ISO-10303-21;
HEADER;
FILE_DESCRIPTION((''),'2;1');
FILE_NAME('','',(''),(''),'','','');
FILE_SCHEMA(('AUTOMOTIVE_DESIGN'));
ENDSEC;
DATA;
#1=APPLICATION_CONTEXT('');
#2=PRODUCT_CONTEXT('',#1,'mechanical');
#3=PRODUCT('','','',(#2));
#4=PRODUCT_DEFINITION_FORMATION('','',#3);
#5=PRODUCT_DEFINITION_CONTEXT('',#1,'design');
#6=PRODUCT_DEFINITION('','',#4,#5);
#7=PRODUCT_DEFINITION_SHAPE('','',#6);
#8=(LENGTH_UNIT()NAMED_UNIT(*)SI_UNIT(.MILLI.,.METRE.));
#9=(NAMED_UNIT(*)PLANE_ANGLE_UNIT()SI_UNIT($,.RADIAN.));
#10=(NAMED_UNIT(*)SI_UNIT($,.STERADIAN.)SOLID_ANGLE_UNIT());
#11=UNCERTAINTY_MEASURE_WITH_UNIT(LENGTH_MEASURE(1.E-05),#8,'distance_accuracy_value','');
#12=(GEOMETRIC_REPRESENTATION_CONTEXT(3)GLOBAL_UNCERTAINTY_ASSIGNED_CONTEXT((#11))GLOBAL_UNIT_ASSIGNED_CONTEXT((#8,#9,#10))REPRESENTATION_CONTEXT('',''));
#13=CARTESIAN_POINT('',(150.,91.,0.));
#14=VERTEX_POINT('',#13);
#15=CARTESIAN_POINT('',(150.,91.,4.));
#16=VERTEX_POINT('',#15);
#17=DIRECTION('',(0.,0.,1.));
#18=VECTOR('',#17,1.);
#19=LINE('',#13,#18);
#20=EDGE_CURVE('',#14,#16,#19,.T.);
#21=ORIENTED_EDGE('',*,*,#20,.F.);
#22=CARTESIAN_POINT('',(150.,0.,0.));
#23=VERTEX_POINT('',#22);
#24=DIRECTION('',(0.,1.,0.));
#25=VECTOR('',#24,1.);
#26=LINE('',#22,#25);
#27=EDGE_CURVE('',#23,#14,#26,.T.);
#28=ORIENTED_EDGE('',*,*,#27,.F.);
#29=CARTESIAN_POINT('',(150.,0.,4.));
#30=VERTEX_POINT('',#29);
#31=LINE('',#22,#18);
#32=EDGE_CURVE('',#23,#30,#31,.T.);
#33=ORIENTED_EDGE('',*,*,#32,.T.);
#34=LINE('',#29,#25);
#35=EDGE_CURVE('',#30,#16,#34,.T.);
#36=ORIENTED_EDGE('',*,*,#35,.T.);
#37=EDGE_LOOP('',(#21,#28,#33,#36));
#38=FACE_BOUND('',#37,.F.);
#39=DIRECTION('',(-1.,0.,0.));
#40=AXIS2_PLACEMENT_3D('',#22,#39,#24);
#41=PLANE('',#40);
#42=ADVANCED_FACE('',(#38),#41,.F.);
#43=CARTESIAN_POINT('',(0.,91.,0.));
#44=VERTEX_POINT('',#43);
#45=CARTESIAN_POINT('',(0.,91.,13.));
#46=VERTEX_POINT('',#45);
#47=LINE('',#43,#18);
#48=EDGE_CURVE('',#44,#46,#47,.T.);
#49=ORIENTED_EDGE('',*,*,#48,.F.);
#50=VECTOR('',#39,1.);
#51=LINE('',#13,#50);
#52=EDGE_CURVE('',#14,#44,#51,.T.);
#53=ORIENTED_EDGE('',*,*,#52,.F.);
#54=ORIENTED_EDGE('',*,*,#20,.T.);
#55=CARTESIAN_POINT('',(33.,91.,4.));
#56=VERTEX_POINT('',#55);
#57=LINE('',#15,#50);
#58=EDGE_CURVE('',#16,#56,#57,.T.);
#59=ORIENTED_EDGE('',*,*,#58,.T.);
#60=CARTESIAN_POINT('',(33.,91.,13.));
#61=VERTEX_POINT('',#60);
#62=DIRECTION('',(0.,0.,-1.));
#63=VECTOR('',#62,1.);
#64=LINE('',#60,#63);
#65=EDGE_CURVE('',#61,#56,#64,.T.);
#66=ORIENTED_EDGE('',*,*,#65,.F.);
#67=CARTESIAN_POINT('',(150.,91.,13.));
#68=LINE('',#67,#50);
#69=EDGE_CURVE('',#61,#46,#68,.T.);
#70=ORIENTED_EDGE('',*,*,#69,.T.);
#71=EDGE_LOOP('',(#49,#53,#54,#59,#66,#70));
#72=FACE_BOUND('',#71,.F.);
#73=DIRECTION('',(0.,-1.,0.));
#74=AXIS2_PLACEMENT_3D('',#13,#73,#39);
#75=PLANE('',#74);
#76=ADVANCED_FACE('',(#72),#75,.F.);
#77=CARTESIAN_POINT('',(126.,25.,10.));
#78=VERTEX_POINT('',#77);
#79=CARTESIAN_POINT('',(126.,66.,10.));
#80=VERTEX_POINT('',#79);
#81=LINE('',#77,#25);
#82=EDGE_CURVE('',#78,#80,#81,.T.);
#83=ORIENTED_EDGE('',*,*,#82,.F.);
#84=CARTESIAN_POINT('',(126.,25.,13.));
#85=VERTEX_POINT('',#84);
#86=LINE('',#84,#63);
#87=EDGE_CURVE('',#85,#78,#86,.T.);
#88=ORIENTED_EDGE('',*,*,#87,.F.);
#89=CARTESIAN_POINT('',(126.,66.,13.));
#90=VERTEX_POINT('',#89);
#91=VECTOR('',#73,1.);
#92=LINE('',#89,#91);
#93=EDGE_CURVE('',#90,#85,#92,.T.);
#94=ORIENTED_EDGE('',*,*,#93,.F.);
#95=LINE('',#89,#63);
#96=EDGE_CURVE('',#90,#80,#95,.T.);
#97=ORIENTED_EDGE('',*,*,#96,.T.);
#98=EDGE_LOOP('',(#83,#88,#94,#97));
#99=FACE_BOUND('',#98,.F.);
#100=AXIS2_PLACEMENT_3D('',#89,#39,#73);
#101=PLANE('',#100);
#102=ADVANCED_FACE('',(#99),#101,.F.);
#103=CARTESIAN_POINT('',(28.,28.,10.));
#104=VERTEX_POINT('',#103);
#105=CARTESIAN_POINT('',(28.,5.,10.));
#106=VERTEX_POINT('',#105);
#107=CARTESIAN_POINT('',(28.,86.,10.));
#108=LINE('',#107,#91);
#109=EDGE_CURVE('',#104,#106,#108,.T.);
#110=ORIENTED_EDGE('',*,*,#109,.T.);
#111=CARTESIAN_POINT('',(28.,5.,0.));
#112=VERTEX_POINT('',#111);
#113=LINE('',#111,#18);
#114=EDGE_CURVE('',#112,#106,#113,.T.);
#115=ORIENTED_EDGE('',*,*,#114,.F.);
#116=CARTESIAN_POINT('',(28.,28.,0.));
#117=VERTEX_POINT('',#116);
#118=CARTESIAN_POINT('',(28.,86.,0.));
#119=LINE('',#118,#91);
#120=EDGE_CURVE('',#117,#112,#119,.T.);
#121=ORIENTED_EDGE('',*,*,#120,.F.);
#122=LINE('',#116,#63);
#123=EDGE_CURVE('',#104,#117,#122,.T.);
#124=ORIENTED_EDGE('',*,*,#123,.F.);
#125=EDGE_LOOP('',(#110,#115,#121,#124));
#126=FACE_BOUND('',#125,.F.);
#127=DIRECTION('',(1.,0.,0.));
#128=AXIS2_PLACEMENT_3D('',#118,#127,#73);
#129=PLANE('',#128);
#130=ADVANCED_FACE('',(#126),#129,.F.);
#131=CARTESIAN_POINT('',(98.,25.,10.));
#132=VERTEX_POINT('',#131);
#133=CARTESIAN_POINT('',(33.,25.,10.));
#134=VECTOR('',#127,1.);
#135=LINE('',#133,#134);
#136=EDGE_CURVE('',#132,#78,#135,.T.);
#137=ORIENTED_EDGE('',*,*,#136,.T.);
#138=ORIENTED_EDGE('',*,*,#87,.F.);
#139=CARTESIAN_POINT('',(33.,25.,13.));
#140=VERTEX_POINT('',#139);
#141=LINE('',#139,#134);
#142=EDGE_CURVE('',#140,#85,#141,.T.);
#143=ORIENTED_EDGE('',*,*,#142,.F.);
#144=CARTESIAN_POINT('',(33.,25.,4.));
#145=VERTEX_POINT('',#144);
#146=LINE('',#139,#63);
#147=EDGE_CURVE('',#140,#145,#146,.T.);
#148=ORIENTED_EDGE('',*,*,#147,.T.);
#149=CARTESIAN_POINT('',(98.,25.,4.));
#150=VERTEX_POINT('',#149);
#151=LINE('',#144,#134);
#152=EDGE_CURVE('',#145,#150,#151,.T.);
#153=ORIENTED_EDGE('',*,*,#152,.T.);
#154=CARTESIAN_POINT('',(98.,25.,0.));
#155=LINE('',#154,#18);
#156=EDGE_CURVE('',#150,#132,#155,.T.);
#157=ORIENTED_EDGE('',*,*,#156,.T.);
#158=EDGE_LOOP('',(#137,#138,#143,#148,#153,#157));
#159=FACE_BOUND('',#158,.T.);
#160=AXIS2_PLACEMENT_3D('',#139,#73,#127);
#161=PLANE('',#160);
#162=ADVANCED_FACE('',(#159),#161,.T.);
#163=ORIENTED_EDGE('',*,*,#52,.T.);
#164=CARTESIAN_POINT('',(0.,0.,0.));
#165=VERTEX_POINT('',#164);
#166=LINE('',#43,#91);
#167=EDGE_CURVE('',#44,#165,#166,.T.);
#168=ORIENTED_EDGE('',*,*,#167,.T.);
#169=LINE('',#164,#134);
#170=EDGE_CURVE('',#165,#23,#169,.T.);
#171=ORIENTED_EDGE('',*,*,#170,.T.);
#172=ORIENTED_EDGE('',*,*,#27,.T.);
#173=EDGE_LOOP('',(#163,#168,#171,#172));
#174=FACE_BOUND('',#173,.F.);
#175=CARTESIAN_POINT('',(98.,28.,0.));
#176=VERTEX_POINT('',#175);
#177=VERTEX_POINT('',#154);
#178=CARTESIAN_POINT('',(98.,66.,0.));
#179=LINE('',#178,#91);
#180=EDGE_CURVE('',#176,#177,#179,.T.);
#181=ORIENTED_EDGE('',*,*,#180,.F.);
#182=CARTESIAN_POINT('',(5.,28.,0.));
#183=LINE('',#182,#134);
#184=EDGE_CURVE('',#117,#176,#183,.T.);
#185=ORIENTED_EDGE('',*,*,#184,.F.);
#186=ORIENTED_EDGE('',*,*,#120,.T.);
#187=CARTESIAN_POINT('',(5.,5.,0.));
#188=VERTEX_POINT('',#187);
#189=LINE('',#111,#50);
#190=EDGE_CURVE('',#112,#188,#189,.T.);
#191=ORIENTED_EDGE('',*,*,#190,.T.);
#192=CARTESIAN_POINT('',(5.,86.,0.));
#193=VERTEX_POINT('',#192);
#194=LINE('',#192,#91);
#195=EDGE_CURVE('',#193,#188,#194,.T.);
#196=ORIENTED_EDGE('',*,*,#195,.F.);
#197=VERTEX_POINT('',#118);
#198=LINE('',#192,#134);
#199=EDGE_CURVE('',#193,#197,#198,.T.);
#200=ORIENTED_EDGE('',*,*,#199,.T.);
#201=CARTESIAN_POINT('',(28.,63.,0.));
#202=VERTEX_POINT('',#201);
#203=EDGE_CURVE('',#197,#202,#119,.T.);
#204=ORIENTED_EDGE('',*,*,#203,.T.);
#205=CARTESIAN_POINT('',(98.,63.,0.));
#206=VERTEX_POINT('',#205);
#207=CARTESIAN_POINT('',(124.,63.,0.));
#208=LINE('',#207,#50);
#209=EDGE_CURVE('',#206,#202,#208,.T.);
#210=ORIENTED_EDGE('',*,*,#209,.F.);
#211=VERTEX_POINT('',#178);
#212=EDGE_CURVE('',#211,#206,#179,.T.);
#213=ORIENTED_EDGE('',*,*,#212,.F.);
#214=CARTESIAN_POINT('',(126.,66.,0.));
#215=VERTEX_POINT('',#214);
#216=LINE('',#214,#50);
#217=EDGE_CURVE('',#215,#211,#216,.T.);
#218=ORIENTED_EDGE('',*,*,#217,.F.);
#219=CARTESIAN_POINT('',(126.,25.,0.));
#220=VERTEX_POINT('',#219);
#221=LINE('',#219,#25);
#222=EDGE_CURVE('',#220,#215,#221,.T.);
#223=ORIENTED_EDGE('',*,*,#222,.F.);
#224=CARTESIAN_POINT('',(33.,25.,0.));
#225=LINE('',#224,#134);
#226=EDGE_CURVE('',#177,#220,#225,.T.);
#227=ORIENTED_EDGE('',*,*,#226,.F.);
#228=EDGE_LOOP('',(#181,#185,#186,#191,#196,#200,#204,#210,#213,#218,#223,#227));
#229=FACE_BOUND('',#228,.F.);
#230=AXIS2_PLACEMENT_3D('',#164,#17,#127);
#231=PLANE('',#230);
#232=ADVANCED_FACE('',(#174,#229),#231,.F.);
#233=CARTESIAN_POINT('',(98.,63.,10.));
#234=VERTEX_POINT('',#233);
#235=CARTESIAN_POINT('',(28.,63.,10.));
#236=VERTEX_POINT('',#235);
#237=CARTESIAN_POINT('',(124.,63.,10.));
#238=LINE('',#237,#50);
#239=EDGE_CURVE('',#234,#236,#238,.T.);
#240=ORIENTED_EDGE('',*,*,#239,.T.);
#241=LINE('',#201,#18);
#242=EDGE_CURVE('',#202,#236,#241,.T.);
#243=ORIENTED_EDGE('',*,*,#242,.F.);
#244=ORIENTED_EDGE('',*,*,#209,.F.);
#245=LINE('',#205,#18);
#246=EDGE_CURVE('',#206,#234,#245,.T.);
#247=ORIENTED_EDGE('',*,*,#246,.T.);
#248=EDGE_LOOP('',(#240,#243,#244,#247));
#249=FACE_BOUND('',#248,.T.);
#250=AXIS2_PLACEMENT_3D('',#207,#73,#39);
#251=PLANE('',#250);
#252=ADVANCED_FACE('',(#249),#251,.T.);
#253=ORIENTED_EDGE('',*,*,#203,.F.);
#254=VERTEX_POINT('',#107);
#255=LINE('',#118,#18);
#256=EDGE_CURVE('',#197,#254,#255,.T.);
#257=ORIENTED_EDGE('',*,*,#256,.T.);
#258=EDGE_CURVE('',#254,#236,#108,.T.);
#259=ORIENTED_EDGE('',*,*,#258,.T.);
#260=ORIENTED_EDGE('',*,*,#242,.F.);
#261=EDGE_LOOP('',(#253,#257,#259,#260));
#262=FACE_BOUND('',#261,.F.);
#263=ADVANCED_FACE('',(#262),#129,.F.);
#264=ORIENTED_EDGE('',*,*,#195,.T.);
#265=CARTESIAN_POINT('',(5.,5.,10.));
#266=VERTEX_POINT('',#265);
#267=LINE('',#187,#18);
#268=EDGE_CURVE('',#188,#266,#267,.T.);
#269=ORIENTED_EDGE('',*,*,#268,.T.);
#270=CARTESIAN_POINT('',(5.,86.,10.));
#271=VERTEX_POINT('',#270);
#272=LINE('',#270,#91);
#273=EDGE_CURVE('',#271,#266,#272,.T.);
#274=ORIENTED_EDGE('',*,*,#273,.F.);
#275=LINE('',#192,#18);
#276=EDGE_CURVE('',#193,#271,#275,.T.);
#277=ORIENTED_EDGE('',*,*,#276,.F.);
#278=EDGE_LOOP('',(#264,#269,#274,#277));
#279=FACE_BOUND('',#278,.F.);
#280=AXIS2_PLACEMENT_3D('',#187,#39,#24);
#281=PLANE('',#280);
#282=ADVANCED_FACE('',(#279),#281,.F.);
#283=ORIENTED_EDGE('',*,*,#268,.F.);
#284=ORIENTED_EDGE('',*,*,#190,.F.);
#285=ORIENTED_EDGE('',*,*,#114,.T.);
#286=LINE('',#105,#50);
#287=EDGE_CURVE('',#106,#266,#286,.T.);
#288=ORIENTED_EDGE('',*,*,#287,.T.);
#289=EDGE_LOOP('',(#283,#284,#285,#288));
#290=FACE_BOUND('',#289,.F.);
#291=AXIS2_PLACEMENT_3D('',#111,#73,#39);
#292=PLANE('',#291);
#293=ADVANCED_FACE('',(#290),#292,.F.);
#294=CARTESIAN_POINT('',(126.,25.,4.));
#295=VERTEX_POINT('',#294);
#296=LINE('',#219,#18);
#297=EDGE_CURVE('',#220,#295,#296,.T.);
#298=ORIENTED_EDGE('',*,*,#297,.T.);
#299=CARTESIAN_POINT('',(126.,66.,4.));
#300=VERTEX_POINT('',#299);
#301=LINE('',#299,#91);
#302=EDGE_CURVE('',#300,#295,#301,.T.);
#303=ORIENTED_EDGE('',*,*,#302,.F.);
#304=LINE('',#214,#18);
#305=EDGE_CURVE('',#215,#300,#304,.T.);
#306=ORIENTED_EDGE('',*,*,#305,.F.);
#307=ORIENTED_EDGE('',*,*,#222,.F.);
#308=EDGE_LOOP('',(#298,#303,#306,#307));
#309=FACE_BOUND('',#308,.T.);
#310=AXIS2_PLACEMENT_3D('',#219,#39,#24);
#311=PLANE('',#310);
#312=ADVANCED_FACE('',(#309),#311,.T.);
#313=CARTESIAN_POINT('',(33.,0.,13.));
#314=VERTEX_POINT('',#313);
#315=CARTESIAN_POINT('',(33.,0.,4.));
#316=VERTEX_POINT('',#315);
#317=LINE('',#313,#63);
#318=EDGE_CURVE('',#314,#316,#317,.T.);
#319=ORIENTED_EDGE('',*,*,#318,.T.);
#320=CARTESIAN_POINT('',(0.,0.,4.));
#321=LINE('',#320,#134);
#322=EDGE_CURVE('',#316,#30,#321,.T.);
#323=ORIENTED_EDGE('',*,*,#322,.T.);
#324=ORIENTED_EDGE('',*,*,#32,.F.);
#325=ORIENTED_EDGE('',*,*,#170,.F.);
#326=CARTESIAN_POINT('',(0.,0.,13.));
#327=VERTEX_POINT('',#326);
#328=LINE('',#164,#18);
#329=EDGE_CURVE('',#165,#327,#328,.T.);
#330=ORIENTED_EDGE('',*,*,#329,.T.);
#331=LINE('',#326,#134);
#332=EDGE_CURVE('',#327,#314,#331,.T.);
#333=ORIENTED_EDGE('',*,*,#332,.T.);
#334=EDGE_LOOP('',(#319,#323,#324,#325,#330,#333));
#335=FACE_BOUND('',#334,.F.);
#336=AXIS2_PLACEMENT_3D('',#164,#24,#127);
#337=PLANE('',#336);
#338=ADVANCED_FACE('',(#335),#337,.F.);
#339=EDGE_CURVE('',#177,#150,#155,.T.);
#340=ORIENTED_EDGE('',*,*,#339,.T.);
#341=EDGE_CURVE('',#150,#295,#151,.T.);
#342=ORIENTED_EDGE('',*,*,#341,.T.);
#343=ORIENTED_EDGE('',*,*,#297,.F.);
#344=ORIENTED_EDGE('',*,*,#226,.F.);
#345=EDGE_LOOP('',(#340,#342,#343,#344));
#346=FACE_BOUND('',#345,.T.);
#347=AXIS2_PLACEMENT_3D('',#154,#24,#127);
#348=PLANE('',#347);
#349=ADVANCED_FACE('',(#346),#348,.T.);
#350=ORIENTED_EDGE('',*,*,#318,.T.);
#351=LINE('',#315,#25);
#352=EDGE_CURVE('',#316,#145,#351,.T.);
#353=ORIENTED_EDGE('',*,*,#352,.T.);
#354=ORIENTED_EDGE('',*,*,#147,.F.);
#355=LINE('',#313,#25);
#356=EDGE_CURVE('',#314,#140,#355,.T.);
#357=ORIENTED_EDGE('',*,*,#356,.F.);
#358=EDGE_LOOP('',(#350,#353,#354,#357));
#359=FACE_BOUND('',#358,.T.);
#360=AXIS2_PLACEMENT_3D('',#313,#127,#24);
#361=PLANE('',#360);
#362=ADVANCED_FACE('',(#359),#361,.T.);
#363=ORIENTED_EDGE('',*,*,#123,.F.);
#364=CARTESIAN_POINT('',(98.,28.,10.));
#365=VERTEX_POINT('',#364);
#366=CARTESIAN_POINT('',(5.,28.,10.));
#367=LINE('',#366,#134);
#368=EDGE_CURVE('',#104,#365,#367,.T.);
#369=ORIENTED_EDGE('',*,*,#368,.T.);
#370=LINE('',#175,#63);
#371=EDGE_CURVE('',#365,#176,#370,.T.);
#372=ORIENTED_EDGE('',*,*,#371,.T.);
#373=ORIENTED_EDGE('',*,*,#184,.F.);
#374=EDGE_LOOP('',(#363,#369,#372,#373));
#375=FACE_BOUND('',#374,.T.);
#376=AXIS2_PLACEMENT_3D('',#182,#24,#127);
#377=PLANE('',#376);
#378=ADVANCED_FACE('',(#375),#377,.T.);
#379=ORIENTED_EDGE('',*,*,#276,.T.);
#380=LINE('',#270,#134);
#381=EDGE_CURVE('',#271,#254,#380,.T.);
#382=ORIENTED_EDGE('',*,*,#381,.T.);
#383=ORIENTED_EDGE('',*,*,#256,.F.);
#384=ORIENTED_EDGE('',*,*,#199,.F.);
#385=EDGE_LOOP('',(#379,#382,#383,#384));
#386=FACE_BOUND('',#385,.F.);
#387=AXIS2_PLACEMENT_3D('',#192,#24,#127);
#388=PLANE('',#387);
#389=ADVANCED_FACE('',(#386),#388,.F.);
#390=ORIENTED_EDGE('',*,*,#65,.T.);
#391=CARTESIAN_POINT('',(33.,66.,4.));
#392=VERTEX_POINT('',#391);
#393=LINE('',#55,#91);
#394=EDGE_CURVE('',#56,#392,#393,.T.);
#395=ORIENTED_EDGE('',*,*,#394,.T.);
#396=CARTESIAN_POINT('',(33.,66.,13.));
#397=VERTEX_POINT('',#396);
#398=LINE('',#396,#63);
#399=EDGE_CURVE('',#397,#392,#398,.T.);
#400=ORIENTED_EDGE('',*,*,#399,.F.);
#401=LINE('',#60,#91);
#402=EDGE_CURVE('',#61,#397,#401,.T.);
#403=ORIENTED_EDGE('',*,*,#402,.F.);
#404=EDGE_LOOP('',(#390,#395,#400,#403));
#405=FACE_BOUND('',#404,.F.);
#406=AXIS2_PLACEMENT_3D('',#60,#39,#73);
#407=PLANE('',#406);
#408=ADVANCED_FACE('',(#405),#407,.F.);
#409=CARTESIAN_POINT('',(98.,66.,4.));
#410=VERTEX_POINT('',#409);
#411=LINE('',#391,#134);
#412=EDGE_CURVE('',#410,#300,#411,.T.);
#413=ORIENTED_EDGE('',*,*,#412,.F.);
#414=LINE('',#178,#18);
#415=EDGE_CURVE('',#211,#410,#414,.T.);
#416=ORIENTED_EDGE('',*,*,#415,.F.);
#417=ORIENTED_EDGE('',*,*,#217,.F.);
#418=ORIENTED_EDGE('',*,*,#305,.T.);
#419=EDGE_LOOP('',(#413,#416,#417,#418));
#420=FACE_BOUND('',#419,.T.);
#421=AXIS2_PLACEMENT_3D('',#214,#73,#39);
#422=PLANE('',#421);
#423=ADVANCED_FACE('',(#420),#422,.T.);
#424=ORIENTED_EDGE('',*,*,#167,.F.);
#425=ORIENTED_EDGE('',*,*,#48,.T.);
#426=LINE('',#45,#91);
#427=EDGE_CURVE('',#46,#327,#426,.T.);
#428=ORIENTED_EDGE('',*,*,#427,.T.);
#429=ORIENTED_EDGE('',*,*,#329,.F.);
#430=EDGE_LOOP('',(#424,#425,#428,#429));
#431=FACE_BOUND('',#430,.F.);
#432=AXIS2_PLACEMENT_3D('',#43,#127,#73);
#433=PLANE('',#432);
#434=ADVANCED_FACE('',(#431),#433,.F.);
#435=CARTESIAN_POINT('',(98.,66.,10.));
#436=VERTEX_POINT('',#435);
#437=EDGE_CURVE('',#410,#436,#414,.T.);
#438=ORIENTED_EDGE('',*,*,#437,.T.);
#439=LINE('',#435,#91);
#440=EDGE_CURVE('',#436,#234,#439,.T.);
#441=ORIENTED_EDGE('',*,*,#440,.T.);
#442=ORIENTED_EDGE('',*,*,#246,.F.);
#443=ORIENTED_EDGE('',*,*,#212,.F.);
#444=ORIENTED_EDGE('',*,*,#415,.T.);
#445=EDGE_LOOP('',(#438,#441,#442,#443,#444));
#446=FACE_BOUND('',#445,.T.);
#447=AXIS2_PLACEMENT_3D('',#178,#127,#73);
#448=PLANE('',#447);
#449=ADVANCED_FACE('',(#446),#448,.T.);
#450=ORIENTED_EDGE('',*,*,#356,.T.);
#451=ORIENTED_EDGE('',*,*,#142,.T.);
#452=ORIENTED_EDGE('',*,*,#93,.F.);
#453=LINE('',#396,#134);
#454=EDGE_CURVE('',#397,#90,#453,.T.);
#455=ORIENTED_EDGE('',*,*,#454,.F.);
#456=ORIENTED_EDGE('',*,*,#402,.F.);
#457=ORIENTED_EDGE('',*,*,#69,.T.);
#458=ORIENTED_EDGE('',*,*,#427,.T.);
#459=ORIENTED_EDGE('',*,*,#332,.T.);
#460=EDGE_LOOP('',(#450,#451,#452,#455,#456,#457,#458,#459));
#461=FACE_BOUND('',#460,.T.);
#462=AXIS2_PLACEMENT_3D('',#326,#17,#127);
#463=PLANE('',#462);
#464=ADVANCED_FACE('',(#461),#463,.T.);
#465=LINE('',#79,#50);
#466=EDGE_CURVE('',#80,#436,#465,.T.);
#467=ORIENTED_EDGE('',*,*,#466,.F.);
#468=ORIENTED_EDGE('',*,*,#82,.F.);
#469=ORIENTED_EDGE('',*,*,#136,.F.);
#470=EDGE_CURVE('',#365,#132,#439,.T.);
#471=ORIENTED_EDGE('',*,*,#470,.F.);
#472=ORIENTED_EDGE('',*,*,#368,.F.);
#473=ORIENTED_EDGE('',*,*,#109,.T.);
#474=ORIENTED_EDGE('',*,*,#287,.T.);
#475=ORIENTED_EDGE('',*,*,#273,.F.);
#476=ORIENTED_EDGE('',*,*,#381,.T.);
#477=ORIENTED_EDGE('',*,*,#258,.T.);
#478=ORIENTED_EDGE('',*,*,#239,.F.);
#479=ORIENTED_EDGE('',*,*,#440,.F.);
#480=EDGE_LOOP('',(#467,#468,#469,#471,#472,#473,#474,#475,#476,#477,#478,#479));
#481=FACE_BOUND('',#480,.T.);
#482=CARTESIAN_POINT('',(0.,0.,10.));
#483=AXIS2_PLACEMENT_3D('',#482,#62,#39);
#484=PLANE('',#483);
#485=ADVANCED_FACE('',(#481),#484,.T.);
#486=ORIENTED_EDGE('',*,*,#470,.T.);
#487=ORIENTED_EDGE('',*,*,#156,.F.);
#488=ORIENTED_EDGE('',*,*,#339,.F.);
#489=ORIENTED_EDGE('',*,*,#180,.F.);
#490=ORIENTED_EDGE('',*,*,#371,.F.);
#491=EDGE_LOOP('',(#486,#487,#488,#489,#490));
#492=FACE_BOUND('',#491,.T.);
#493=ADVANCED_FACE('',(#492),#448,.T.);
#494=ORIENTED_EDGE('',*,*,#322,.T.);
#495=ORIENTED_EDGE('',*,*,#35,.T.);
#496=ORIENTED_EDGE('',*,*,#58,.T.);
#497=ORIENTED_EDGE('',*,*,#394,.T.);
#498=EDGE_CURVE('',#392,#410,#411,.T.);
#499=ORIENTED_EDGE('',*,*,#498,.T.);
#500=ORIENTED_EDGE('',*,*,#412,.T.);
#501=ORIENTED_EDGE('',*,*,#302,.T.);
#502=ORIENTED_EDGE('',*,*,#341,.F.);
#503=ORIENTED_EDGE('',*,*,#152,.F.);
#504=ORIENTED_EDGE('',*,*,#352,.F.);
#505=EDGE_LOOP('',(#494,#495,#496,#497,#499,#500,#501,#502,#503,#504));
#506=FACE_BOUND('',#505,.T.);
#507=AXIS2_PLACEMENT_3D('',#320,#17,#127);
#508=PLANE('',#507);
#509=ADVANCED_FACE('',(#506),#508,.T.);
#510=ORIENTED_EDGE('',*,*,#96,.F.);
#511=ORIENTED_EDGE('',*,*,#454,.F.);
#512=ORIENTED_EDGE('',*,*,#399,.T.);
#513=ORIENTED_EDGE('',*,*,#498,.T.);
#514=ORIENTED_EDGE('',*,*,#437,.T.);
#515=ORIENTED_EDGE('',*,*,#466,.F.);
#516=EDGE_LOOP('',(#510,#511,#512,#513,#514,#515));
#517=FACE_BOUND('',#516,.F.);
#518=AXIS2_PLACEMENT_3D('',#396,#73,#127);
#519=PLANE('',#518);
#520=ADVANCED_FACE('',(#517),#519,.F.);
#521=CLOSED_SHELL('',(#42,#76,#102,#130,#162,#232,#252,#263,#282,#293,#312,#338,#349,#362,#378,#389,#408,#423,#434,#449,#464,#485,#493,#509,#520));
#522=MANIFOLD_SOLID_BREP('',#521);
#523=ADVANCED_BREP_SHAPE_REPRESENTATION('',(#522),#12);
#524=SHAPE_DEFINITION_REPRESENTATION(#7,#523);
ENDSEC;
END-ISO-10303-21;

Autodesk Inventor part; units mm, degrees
ref_plane "YZ Plane" through (0, 0, 0) normal (1, 0, 0) x (0, 1, 0)
ref_plane "XZ Plane" through (0, 0, 0) normal (0, 1, 0) x (-1, 0, 0)
ref_plane "XY Plane" through (0, 0, 0) normal (0, 0, 1) x (1, 0, 0)
sketch "Sketch1" plane through (0, 0, 0) normal (0, 0, 1) x (1, 0, 0)
  line L0 (0, 0) -> (150, 0)
  line L1 (150, 0) -> (150, 91)
  line L2 (150, 91) -> (0, 91)
  line L3 (0, 91) -> (0, 0)
  dimension "d0" = 150
  dimension "d1" = 91
extrude "Extrusion1" add sketch "Sketch1" along normal blind 13
sketch "Sketch2" plane through (0, 0, 13) normal (0, 0, 1) x (1, 0, 0)
  line L0 (150, 0) -> (150, 91) projected
  line L1 (150, 91) -> (33, 91)
  line L2 (33, 91) -> (33, 66)
  line L3 (33, 66) -> (150, 66)
  line L4 (150, 66) -> (150, 91)
  line L5 (0, 0) -> (150, 0) projected
  line L6 (150, 0) -> (33, 0)
  line L7 (33, 0) -> (33, 25)
  line L8 (33, 25) -> (150, 25)
  line L9 (150, 25) -> (150, 0)
  dimension "d4" = 25
  dimension "d5" = 25
  dimension "d6" = 117
  dimension "d7" = 117
extrude "Extrusion2" cut sketch "Sketch2" against normal blind 9
sketch "Sketch3" plane through (0, 0, 0) normal (0, 0, -1) x (-1, 0, 0)
  line L0 (-150, 66) -> (-33, 66) projected
  line L1 (-33, 25) -> (-150, 25) projected
  line L2 (-33, 66) -> (-33, 91) projected
  line L3 (0, 91) -> (0, 0) projected
  line L4 (-150, 91) -> (0, 91) projected
  line L5 (0, 0) -> (-150, 0) projected
  line L6 (-33, 0) -> (-33, 25) projected
  line L7 (-124, 63) -> (-5, 63)
  line L8 (-5, 63) -> (-5, 28)
  line L9 (-5, 28) -> (-124, 28)
  line L10 (-124, 28) -> (-124, 63)
  line L11 (-150, 0) -> (-150, 91) projected
  dimension "d10" = 3
  dimension "d11" = 3
  dimension "d12" = 5
  dimension "d16" = 26
extrude "Extrusion3" cut sketch "Sketch3" against normal blind 10 contours L7 L8 L9 L10
sketch "Sketch4" plane through (0, 0, 13) normal (0, 0, 1) x (1, 0, 0)
  line L0 (150, 66) -> (126, 66)
  line L1 (126, 66) -> (126, 25)
  line L2 (126, 25) -> (150, 25)
  line L3 (150, 25) -> (150, 66)
  line L4 (33, 25) -> (150, 25) projected
  line L5 (150, 66) -> (33, 66) projected
  line L6 (150, 25) -> (150, 66) projected
  point P0 (0, 0)
  dimension "d17" = 24
extrude "Extrusion4" cut sketch "Sketch4" against normal blind 9
sketch "Sketch5" plane through (0, 0, 0) normal (0, 0, -1) x (-1, 0, 0)
  line L0 (-126, 66) -> (-33, 66) projected
  line L1 (-33, 25) -> (-126, 25) projected
  line L2 (-126, 66) -> (-98, 66)
  line L3 (-98, 66) -> (-98, 25)
  line L4 (-98, 25) -> (-126, 25)
  line L5 (-126, 25) -> (-126, 66)
  line L6 (-126, 25) -> (-126, 66) projected
  point P0 (0, 0)
  dimension "d20" = 28
extrude "Extrusion5" cut sketch "Sketch5" against normal blind 10
sketch "Sketch6" plane through (0, 0, 0) normal (0, 0, -1) x (-1, 0, 0)
  line L0 (-28, 5) -> (-5, 5)
  line L1 (-5, 5) -> (-5, 86)
  line L2 (-5, 86) -> (-28, 86)
  line L3 (-28, 86) -> (-28, 5)
  line L4 (0, 0) -> (-150, 0) projected
  line L5 (-150, 91) -> (0, 91) projected
  line L6 (0, 91) -> (0, 0) projected
  line L7 (-33, 0) -> (-33, 25) projected
  line L8 (-33, 66) -> (-33, 91) projected
  dimension "d23" = 5
  dimension "d24" = 5
  dimension "d25" = 5
  dimension "d26" = 5
extrude "Extrusion6" cut sketch "Sketch6" against normal blind 10
equation "\"d11\" = d10"
equation "\"d25\" = d24"
properties part number "Base" material "Stainless Steel"
